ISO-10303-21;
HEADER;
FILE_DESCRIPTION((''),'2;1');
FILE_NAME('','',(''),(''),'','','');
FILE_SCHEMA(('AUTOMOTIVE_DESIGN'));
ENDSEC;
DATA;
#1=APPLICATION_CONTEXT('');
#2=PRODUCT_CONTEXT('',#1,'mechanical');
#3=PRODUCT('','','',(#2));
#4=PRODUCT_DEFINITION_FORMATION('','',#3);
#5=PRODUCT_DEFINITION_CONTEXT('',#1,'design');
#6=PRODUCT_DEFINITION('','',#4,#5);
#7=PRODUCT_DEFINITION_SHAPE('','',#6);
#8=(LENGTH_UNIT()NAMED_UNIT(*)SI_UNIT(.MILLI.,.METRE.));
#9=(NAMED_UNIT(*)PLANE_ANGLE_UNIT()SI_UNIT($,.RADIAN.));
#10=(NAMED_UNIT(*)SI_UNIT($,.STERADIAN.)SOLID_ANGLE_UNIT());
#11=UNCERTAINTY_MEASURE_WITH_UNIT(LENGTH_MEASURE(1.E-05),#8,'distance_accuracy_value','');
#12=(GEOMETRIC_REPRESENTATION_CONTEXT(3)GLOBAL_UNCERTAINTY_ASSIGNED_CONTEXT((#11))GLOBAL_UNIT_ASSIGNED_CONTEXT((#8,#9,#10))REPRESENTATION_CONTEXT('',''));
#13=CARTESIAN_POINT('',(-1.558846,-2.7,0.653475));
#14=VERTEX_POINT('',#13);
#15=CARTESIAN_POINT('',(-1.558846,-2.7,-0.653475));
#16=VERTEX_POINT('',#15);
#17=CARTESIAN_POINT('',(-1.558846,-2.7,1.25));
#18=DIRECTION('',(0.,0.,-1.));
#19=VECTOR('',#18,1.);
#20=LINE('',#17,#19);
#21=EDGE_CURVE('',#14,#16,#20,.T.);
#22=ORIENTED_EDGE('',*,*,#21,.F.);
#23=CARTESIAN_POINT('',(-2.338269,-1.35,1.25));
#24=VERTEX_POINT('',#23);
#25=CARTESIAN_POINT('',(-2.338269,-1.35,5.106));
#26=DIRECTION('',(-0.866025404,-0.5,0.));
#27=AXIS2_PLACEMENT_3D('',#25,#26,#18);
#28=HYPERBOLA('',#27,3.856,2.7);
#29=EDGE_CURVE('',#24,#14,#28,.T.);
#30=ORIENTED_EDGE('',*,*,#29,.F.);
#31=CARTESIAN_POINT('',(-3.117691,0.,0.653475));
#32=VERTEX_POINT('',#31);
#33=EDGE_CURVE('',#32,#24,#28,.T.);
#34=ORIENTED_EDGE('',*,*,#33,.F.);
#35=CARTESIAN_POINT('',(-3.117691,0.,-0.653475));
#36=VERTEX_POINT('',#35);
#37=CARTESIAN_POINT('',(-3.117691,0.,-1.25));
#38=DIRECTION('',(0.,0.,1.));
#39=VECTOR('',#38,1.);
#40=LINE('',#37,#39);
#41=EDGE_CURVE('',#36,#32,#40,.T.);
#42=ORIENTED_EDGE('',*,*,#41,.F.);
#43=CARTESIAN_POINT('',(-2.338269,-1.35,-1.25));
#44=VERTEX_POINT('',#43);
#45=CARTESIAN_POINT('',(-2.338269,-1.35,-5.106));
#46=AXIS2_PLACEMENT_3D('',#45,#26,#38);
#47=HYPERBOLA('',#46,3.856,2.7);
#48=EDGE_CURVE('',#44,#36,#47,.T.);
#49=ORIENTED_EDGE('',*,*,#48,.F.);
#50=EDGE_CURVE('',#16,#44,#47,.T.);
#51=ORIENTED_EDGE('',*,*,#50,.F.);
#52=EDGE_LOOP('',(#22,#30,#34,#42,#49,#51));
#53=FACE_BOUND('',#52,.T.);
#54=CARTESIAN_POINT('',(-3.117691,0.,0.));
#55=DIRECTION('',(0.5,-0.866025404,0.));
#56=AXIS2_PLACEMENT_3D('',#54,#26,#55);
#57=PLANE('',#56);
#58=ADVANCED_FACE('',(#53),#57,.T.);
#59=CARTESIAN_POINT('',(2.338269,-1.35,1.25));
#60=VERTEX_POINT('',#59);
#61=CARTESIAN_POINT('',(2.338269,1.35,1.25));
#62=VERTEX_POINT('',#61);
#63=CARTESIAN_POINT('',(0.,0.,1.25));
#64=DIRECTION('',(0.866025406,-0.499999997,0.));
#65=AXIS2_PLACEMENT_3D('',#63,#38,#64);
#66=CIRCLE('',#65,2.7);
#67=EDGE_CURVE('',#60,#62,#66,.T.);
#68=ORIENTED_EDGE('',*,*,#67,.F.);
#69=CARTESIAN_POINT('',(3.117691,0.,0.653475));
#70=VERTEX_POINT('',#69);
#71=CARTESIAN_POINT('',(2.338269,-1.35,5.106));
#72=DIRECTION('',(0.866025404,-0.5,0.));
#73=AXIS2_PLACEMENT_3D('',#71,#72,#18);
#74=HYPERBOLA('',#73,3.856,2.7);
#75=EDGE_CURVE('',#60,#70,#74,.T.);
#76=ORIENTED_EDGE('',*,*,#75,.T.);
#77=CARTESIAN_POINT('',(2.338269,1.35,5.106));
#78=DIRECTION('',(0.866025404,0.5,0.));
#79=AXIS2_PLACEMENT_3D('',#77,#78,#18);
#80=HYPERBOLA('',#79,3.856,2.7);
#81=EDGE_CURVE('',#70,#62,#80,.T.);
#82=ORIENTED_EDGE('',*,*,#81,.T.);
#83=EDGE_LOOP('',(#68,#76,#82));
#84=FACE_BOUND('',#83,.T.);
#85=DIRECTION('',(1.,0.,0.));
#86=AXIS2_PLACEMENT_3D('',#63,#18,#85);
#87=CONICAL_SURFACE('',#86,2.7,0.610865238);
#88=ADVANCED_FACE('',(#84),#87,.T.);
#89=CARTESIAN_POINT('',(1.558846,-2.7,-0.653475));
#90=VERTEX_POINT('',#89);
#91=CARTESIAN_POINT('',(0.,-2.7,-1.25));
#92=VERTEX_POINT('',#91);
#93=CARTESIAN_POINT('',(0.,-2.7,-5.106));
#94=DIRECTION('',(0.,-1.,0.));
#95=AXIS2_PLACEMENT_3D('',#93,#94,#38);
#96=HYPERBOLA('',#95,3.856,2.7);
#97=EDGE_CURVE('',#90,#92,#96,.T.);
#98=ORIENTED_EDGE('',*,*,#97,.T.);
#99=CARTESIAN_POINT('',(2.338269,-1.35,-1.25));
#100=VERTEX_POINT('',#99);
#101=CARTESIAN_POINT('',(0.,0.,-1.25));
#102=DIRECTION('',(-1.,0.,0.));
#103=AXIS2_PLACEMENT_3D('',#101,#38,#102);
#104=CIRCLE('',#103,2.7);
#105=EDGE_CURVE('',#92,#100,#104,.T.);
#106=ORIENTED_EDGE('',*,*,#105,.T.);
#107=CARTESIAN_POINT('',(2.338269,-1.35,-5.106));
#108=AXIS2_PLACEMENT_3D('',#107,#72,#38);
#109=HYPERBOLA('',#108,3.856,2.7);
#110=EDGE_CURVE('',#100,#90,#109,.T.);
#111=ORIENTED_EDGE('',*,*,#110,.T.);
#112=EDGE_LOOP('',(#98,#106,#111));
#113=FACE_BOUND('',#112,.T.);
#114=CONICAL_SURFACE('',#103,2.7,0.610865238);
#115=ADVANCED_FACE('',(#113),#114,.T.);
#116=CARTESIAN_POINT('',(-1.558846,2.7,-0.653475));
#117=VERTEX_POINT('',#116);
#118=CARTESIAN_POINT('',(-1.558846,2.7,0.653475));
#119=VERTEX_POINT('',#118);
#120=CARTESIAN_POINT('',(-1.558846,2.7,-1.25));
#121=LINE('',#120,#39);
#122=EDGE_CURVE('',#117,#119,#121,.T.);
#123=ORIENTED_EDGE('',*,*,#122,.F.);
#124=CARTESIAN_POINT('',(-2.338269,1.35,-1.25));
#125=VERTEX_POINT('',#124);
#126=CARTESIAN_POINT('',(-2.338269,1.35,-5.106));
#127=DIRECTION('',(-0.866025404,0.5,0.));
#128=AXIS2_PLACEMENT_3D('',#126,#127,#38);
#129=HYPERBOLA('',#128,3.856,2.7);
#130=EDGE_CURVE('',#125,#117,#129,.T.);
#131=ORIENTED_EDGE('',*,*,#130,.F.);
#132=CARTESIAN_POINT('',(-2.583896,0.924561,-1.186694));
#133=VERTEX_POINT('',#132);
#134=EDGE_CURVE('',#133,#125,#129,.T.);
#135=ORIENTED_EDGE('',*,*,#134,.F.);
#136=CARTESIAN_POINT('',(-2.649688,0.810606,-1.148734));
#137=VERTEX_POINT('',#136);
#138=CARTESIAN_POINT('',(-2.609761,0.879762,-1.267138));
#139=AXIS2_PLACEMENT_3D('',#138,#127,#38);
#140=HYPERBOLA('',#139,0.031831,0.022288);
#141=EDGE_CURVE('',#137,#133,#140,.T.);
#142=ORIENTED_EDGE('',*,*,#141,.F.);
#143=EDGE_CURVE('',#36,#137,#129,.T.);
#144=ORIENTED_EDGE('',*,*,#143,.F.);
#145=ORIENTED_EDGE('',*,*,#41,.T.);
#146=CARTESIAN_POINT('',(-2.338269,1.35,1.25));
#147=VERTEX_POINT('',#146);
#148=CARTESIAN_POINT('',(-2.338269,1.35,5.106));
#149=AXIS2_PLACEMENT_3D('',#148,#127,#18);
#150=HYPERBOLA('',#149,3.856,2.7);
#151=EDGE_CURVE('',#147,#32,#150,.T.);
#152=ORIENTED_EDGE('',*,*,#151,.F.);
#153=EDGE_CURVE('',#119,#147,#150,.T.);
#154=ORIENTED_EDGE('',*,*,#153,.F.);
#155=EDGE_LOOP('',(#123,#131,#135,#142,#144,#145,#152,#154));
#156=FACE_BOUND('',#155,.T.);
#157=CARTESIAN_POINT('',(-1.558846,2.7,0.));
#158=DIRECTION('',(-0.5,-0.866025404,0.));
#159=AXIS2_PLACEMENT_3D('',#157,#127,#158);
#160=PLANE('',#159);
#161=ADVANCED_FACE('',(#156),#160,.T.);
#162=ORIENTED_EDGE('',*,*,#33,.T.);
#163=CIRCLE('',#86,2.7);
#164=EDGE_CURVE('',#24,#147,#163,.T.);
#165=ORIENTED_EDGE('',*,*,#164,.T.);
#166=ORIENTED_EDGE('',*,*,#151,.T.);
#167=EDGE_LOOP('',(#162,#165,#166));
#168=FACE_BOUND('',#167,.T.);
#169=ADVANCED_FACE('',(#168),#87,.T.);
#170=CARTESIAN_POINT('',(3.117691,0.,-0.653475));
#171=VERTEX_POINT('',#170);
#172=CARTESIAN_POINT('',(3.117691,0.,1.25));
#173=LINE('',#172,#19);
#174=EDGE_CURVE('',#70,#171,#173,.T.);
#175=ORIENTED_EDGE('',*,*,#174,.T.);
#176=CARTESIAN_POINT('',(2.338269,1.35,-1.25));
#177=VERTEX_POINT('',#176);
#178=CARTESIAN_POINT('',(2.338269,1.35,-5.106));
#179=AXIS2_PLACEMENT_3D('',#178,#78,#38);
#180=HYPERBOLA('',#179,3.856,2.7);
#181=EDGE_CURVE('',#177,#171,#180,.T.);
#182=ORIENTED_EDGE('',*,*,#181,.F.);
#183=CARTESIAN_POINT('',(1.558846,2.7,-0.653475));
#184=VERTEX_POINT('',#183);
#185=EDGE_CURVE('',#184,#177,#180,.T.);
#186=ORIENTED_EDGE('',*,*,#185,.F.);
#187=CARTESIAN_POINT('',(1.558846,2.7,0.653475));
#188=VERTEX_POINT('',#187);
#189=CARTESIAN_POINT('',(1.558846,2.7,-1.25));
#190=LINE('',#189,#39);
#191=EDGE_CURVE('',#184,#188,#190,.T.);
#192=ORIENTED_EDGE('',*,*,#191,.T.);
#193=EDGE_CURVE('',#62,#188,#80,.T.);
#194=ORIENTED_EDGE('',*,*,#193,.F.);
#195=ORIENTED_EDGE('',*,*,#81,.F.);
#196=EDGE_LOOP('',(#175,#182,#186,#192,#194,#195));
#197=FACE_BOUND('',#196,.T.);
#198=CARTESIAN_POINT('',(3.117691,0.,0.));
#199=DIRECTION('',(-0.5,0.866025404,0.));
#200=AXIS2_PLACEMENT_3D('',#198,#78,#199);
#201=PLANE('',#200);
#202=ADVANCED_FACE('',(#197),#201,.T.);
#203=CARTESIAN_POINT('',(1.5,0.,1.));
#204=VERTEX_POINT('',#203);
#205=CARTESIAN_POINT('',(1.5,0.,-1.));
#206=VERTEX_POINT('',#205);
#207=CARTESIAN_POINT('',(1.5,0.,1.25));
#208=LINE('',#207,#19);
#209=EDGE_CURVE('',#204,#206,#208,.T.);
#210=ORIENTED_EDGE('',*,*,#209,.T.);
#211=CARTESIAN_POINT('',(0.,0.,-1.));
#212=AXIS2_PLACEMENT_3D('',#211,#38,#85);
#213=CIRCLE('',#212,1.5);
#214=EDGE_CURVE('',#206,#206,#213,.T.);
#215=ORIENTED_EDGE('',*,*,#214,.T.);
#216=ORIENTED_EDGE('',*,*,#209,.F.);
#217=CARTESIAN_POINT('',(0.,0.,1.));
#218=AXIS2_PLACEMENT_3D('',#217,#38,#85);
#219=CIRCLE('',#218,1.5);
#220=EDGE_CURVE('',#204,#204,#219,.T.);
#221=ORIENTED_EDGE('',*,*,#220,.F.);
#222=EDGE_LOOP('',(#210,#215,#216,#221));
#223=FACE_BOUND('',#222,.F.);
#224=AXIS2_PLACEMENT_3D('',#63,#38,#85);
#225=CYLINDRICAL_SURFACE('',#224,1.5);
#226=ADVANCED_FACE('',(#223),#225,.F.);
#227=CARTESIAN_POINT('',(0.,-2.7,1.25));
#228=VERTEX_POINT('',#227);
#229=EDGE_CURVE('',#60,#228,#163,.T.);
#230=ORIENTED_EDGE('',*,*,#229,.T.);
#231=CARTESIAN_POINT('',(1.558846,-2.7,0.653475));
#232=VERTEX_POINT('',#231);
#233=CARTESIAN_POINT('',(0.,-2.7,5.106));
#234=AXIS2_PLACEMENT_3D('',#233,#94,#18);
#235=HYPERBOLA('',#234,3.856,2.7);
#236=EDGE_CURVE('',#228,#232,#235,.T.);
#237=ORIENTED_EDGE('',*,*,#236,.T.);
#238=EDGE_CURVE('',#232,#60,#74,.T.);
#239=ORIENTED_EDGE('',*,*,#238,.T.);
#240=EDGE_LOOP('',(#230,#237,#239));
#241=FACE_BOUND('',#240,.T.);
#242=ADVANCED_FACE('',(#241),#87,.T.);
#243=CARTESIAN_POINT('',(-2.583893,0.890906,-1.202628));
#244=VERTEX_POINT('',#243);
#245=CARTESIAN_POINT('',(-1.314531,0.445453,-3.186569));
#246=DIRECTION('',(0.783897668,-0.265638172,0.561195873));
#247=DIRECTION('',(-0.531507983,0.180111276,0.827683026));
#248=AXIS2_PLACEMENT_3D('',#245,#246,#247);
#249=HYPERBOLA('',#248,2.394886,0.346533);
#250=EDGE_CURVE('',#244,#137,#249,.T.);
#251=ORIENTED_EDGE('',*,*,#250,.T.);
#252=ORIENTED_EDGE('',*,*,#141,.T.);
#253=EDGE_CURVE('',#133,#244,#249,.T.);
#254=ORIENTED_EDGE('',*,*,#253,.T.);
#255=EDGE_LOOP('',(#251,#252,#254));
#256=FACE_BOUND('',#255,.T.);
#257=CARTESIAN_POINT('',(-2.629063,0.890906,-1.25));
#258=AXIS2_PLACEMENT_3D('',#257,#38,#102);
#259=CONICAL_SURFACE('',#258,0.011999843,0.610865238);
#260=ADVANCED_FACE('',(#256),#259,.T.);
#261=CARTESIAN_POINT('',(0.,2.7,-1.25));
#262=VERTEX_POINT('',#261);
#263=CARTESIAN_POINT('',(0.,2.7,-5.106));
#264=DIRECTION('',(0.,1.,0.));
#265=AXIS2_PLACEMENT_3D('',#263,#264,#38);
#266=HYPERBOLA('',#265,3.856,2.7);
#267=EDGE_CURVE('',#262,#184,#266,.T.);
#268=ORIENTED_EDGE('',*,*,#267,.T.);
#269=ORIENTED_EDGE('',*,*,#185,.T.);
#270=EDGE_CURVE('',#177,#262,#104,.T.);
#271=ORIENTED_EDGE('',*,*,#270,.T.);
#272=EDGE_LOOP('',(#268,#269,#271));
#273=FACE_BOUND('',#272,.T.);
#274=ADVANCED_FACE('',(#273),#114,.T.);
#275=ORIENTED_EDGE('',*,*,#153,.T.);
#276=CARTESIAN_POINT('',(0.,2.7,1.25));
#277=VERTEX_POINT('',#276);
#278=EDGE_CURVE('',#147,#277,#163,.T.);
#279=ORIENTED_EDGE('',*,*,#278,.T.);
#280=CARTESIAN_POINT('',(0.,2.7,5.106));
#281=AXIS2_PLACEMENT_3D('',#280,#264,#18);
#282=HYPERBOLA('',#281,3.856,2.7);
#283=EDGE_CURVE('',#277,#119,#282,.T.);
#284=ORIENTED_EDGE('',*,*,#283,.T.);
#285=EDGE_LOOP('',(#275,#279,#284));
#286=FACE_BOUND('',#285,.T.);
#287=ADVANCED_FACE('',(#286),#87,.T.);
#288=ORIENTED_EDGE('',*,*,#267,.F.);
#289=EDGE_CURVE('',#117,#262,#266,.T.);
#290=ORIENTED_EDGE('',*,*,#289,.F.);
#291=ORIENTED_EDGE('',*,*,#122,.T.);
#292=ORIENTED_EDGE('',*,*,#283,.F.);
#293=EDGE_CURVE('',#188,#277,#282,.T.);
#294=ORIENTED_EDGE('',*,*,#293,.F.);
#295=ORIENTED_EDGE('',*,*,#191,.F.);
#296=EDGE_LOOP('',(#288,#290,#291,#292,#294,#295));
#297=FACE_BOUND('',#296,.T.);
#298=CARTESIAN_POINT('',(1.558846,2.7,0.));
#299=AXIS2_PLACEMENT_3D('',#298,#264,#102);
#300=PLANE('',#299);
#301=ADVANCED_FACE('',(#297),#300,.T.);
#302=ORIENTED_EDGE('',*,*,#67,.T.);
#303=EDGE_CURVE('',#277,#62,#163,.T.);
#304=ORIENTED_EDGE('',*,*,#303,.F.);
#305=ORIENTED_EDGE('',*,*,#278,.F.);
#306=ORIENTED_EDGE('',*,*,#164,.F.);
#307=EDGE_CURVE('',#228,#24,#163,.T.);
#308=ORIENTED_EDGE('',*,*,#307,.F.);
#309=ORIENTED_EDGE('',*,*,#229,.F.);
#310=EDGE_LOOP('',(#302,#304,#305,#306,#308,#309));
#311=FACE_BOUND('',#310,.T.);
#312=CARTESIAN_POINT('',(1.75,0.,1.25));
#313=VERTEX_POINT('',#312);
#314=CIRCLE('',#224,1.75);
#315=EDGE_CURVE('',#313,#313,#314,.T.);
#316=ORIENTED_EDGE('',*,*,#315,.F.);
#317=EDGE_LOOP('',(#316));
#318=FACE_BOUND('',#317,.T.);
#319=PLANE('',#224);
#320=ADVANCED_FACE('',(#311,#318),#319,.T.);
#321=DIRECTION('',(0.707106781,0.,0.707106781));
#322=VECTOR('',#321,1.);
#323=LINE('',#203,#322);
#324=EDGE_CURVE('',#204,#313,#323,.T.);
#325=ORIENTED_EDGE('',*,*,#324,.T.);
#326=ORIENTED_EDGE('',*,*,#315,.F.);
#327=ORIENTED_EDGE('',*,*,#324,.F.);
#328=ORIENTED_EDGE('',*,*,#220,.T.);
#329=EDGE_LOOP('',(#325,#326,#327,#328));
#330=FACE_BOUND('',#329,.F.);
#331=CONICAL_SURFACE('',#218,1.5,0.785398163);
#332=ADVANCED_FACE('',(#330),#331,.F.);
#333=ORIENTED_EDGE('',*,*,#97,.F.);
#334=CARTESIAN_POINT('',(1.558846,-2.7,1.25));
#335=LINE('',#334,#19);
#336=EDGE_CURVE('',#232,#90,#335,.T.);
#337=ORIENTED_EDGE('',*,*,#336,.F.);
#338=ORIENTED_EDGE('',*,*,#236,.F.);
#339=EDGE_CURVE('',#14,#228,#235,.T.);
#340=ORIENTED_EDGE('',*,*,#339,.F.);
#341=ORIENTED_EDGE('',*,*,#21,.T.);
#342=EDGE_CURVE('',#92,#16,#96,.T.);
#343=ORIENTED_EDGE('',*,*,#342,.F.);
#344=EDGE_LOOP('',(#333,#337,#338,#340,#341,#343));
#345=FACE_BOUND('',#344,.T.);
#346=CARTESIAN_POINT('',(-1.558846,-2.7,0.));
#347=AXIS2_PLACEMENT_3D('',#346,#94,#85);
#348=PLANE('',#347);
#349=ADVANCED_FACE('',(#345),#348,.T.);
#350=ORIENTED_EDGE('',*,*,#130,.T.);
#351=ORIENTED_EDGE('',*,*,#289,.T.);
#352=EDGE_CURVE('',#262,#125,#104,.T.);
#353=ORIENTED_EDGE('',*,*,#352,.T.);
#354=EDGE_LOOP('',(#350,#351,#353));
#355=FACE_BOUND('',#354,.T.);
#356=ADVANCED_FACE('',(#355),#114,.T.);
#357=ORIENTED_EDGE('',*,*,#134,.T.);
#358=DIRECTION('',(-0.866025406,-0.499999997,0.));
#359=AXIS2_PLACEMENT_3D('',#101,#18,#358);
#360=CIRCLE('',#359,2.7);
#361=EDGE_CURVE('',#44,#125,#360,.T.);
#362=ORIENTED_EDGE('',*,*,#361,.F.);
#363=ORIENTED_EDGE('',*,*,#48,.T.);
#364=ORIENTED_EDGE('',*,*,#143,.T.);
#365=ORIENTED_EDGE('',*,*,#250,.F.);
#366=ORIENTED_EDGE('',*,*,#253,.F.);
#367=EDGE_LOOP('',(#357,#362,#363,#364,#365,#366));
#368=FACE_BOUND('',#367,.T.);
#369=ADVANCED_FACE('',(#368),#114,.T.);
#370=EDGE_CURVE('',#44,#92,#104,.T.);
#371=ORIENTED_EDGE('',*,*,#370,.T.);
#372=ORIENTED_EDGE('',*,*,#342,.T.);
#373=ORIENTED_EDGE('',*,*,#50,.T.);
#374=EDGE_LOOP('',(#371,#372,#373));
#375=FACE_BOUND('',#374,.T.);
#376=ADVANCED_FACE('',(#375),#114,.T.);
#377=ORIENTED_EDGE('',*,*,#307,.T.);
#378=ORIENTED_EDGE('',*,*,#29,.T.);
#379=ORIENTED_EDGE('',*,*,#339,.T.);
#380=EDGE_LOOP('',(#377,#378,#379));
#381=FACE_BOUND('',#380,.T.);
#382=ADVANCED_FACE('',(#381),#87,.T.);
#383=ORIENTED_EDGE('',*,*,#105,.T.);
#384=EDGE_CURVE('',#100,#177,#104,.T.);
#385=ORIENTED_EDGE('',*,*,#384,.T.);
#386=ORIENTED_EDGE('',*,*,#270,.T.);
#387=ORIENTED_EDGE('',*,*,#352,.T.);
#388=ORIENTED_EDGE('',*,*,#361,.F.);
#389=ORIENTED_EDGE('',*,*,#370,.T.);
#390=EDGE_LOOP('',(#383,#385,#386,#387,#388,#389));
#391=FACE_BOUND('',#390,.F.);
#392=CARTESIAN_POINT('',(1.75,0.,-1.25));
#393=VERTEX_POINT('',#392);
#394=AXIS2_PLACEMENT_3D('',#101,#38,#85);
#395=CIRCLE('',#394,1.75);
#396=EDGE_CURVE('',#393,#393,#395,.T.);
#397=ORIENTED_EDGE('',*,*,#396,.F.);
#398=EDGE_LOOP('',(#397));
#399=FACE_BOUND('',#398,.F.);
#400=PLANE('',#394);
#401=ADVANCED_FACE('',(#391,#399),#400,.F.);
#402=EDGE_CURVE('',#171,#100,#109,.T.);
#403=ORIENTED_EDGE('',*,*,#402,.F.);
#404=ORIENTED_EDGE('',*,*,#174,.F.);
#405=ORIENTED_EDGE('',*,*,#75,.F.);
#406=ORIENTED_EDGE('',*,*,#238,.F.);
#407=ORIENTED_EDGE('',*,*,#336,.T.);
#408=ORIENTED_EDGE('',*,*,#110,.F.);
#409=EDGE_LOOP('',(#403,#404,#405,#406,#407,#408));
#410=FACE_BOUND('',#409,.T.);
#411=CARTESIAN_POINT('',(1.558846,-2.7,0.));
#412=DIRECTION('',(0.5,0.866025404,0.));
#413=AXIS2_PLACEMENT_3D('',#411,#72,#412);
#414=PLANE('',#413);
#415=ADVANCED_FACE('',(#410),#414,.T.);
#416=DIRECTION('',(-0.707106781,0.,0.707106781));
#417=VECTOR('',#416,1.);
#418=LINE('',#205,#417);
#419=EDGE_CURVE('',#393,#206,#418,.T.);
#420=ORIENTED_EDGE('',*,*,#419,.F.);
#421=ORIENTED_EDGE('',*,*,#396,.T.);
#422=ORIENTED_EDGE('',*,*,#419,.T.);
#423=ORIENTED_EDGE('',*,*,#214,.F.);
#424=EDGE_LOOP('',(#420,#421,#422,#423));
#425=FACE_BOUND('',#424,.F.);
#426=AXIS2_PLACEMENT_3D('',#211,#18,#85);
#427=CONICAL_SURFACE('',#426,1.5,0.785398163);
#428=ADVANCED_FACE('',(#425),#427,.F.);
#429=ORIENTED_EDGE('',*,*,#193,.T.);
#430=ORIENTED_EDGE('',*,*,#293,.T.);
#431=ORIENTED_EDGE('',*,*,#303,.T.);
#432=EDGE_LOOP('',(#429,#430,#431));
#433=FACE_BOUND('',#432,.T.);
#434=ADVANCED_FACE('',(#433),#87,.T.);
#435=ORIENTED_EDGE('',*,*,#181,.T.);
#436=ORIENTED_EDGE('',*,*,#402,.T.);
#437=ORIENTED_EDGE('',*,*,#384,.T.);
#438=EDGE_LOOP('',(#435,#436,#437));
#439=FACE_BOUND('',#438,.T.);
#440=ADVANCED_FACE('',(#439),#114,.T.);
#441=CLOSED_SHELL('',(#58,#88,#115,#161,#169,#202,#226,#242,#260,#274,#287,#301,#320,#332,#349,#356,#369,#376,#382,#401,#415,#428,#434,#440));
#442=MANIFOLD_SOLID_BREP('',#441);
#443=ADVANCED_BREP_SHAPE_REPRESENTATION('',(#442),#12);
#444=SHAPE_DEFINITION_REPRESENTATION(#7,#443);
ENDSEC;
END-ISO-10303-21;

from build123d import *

# Parameters (mm, degrees)
RESSALTO_EXTRUS_O5_DEPTH        = 1.25
ESBO_O28_R                      = 1.5
CORTE_EXTRUS_O8_DEPTH           = 3.5
ESBO_O30_OUTSIDE_W              = 14.862
ESBO_O30_OUTSIDE_H              = 14.026
ESBO_O30_OUTSIDE_R              = 2.7
CORTE_EXTRUS_O9_DEPTH           = 3.5
CORTE_EXTRUS_O9_TAPER           = 35
CORTE_EXTRUS_O9_OTHER_WAY_DEPTH = 1
ESBO_O31_OUTSIDE_W              = 13.46
ESBO_O31_OUTSIDE_H              = 12.624
ESBO_O31_OUTSIDE_R              = 2.7
ESBO_O31_OUTSIDE_R_2            = 0.011999843
CORTE_EXTRUS_O10_DEPTH          = 2.5
CORTE_EXTRUS_O10_TAPER          = 35
CHANFRO3_SIZE                   = 0.25


with BuildPart() as part:
    # Esboço2 → Ressalto-extrusão5 (new body, symmetric)
    with BuildSketch(Plane.XY):
        Polygon((3.117691454, 0), (1.558845727, 2.7), (-1.558845727, 2.7), (-3.117691454, 0), (-1.558845727, -2.7), (1.558845727, -2.7), align=None)
    extrude(amount=RESSALTO_EXTRUS_O5_DEPTH, both=True)

    # Esboço28 → Corte-extrusão8 (cut, through all)
    with BuildSketch(Plane.XY.offset(1.25)):
        Circle(ESBO_O28_R)
    extrude(amount=-CORTE_EXTRUS_O8_DEPTH, mode=Mode.SUBTRACT)

    # Esboço30 outside → Corte-extrusão9 (cut)
    with BuildSketch(Plane.XY.offset(1.25)):
        Rectangle(ESBO_O30_OUTSIDE_W, ESBO_O30_OUTSIDE_H)
        Circle(ESBO_O30_OUTSIDE_R, mode=Mode.SUBTRACT)
    extrude(amount=-CORTE_EXTRUS_O9_DEPTH, taper=CORTE_EXTRUS_O9_TAPER, mode=Mode.SUBTRACT)

    # Esboço30 outside → Corte-extrusão9 other way (cut)
    with BuildSketch(Plane.XY.offset(1.25)):
        Rectangle(ESBO_O30_OUTSIDE_W, ESBO_O30_OUTSIDE_H)
        Circle(ESBO_O30_OUTSIDE_R, mode=Mode.SUBTRACT)
    extrude(amount=CORTE_EXTRUS_O9_OTHER_WAY_DEPTH, mode=Mode.SUBTRACT)

    # Esboço31 outside → Corte-extrusão10 (cut)
    with BuildSketch(Plane(origin=(0, 0, -1.25), x_dir=(-1, 0, 0), z_dir=(0, 0, -1))):
        Rectangle(ESBO_O31_OUTSIDE_W, ESBO_O31_OUTSIDE_H)
        Circle(ESBO_O31_OUTSIDE_R, mode=Mode.SUBTRACT)
        with Locations((2.629062893, 0.890906414)):
            Circle(ESBO_O31_OUTSIDE_R_2, mode=Mode.SUBTRACT)
    extrude(amount=-CORTE_EXTRUS_O10_DEPTH, taper=CORTE_EXTRUS_O10_TAPER, mode=Mode.SUBTRACT)

    # Chanfro3
    chanfro3_edges = [part.edges().sort_by_distance(p)[0] for p in [
        (-1.5, 0, -1.25),
        (-1.5, 0, 1.25),
    ]]
    chamfer(chanfro3_edges, length=CHANFRO3_SIZE)


solid = part.part
